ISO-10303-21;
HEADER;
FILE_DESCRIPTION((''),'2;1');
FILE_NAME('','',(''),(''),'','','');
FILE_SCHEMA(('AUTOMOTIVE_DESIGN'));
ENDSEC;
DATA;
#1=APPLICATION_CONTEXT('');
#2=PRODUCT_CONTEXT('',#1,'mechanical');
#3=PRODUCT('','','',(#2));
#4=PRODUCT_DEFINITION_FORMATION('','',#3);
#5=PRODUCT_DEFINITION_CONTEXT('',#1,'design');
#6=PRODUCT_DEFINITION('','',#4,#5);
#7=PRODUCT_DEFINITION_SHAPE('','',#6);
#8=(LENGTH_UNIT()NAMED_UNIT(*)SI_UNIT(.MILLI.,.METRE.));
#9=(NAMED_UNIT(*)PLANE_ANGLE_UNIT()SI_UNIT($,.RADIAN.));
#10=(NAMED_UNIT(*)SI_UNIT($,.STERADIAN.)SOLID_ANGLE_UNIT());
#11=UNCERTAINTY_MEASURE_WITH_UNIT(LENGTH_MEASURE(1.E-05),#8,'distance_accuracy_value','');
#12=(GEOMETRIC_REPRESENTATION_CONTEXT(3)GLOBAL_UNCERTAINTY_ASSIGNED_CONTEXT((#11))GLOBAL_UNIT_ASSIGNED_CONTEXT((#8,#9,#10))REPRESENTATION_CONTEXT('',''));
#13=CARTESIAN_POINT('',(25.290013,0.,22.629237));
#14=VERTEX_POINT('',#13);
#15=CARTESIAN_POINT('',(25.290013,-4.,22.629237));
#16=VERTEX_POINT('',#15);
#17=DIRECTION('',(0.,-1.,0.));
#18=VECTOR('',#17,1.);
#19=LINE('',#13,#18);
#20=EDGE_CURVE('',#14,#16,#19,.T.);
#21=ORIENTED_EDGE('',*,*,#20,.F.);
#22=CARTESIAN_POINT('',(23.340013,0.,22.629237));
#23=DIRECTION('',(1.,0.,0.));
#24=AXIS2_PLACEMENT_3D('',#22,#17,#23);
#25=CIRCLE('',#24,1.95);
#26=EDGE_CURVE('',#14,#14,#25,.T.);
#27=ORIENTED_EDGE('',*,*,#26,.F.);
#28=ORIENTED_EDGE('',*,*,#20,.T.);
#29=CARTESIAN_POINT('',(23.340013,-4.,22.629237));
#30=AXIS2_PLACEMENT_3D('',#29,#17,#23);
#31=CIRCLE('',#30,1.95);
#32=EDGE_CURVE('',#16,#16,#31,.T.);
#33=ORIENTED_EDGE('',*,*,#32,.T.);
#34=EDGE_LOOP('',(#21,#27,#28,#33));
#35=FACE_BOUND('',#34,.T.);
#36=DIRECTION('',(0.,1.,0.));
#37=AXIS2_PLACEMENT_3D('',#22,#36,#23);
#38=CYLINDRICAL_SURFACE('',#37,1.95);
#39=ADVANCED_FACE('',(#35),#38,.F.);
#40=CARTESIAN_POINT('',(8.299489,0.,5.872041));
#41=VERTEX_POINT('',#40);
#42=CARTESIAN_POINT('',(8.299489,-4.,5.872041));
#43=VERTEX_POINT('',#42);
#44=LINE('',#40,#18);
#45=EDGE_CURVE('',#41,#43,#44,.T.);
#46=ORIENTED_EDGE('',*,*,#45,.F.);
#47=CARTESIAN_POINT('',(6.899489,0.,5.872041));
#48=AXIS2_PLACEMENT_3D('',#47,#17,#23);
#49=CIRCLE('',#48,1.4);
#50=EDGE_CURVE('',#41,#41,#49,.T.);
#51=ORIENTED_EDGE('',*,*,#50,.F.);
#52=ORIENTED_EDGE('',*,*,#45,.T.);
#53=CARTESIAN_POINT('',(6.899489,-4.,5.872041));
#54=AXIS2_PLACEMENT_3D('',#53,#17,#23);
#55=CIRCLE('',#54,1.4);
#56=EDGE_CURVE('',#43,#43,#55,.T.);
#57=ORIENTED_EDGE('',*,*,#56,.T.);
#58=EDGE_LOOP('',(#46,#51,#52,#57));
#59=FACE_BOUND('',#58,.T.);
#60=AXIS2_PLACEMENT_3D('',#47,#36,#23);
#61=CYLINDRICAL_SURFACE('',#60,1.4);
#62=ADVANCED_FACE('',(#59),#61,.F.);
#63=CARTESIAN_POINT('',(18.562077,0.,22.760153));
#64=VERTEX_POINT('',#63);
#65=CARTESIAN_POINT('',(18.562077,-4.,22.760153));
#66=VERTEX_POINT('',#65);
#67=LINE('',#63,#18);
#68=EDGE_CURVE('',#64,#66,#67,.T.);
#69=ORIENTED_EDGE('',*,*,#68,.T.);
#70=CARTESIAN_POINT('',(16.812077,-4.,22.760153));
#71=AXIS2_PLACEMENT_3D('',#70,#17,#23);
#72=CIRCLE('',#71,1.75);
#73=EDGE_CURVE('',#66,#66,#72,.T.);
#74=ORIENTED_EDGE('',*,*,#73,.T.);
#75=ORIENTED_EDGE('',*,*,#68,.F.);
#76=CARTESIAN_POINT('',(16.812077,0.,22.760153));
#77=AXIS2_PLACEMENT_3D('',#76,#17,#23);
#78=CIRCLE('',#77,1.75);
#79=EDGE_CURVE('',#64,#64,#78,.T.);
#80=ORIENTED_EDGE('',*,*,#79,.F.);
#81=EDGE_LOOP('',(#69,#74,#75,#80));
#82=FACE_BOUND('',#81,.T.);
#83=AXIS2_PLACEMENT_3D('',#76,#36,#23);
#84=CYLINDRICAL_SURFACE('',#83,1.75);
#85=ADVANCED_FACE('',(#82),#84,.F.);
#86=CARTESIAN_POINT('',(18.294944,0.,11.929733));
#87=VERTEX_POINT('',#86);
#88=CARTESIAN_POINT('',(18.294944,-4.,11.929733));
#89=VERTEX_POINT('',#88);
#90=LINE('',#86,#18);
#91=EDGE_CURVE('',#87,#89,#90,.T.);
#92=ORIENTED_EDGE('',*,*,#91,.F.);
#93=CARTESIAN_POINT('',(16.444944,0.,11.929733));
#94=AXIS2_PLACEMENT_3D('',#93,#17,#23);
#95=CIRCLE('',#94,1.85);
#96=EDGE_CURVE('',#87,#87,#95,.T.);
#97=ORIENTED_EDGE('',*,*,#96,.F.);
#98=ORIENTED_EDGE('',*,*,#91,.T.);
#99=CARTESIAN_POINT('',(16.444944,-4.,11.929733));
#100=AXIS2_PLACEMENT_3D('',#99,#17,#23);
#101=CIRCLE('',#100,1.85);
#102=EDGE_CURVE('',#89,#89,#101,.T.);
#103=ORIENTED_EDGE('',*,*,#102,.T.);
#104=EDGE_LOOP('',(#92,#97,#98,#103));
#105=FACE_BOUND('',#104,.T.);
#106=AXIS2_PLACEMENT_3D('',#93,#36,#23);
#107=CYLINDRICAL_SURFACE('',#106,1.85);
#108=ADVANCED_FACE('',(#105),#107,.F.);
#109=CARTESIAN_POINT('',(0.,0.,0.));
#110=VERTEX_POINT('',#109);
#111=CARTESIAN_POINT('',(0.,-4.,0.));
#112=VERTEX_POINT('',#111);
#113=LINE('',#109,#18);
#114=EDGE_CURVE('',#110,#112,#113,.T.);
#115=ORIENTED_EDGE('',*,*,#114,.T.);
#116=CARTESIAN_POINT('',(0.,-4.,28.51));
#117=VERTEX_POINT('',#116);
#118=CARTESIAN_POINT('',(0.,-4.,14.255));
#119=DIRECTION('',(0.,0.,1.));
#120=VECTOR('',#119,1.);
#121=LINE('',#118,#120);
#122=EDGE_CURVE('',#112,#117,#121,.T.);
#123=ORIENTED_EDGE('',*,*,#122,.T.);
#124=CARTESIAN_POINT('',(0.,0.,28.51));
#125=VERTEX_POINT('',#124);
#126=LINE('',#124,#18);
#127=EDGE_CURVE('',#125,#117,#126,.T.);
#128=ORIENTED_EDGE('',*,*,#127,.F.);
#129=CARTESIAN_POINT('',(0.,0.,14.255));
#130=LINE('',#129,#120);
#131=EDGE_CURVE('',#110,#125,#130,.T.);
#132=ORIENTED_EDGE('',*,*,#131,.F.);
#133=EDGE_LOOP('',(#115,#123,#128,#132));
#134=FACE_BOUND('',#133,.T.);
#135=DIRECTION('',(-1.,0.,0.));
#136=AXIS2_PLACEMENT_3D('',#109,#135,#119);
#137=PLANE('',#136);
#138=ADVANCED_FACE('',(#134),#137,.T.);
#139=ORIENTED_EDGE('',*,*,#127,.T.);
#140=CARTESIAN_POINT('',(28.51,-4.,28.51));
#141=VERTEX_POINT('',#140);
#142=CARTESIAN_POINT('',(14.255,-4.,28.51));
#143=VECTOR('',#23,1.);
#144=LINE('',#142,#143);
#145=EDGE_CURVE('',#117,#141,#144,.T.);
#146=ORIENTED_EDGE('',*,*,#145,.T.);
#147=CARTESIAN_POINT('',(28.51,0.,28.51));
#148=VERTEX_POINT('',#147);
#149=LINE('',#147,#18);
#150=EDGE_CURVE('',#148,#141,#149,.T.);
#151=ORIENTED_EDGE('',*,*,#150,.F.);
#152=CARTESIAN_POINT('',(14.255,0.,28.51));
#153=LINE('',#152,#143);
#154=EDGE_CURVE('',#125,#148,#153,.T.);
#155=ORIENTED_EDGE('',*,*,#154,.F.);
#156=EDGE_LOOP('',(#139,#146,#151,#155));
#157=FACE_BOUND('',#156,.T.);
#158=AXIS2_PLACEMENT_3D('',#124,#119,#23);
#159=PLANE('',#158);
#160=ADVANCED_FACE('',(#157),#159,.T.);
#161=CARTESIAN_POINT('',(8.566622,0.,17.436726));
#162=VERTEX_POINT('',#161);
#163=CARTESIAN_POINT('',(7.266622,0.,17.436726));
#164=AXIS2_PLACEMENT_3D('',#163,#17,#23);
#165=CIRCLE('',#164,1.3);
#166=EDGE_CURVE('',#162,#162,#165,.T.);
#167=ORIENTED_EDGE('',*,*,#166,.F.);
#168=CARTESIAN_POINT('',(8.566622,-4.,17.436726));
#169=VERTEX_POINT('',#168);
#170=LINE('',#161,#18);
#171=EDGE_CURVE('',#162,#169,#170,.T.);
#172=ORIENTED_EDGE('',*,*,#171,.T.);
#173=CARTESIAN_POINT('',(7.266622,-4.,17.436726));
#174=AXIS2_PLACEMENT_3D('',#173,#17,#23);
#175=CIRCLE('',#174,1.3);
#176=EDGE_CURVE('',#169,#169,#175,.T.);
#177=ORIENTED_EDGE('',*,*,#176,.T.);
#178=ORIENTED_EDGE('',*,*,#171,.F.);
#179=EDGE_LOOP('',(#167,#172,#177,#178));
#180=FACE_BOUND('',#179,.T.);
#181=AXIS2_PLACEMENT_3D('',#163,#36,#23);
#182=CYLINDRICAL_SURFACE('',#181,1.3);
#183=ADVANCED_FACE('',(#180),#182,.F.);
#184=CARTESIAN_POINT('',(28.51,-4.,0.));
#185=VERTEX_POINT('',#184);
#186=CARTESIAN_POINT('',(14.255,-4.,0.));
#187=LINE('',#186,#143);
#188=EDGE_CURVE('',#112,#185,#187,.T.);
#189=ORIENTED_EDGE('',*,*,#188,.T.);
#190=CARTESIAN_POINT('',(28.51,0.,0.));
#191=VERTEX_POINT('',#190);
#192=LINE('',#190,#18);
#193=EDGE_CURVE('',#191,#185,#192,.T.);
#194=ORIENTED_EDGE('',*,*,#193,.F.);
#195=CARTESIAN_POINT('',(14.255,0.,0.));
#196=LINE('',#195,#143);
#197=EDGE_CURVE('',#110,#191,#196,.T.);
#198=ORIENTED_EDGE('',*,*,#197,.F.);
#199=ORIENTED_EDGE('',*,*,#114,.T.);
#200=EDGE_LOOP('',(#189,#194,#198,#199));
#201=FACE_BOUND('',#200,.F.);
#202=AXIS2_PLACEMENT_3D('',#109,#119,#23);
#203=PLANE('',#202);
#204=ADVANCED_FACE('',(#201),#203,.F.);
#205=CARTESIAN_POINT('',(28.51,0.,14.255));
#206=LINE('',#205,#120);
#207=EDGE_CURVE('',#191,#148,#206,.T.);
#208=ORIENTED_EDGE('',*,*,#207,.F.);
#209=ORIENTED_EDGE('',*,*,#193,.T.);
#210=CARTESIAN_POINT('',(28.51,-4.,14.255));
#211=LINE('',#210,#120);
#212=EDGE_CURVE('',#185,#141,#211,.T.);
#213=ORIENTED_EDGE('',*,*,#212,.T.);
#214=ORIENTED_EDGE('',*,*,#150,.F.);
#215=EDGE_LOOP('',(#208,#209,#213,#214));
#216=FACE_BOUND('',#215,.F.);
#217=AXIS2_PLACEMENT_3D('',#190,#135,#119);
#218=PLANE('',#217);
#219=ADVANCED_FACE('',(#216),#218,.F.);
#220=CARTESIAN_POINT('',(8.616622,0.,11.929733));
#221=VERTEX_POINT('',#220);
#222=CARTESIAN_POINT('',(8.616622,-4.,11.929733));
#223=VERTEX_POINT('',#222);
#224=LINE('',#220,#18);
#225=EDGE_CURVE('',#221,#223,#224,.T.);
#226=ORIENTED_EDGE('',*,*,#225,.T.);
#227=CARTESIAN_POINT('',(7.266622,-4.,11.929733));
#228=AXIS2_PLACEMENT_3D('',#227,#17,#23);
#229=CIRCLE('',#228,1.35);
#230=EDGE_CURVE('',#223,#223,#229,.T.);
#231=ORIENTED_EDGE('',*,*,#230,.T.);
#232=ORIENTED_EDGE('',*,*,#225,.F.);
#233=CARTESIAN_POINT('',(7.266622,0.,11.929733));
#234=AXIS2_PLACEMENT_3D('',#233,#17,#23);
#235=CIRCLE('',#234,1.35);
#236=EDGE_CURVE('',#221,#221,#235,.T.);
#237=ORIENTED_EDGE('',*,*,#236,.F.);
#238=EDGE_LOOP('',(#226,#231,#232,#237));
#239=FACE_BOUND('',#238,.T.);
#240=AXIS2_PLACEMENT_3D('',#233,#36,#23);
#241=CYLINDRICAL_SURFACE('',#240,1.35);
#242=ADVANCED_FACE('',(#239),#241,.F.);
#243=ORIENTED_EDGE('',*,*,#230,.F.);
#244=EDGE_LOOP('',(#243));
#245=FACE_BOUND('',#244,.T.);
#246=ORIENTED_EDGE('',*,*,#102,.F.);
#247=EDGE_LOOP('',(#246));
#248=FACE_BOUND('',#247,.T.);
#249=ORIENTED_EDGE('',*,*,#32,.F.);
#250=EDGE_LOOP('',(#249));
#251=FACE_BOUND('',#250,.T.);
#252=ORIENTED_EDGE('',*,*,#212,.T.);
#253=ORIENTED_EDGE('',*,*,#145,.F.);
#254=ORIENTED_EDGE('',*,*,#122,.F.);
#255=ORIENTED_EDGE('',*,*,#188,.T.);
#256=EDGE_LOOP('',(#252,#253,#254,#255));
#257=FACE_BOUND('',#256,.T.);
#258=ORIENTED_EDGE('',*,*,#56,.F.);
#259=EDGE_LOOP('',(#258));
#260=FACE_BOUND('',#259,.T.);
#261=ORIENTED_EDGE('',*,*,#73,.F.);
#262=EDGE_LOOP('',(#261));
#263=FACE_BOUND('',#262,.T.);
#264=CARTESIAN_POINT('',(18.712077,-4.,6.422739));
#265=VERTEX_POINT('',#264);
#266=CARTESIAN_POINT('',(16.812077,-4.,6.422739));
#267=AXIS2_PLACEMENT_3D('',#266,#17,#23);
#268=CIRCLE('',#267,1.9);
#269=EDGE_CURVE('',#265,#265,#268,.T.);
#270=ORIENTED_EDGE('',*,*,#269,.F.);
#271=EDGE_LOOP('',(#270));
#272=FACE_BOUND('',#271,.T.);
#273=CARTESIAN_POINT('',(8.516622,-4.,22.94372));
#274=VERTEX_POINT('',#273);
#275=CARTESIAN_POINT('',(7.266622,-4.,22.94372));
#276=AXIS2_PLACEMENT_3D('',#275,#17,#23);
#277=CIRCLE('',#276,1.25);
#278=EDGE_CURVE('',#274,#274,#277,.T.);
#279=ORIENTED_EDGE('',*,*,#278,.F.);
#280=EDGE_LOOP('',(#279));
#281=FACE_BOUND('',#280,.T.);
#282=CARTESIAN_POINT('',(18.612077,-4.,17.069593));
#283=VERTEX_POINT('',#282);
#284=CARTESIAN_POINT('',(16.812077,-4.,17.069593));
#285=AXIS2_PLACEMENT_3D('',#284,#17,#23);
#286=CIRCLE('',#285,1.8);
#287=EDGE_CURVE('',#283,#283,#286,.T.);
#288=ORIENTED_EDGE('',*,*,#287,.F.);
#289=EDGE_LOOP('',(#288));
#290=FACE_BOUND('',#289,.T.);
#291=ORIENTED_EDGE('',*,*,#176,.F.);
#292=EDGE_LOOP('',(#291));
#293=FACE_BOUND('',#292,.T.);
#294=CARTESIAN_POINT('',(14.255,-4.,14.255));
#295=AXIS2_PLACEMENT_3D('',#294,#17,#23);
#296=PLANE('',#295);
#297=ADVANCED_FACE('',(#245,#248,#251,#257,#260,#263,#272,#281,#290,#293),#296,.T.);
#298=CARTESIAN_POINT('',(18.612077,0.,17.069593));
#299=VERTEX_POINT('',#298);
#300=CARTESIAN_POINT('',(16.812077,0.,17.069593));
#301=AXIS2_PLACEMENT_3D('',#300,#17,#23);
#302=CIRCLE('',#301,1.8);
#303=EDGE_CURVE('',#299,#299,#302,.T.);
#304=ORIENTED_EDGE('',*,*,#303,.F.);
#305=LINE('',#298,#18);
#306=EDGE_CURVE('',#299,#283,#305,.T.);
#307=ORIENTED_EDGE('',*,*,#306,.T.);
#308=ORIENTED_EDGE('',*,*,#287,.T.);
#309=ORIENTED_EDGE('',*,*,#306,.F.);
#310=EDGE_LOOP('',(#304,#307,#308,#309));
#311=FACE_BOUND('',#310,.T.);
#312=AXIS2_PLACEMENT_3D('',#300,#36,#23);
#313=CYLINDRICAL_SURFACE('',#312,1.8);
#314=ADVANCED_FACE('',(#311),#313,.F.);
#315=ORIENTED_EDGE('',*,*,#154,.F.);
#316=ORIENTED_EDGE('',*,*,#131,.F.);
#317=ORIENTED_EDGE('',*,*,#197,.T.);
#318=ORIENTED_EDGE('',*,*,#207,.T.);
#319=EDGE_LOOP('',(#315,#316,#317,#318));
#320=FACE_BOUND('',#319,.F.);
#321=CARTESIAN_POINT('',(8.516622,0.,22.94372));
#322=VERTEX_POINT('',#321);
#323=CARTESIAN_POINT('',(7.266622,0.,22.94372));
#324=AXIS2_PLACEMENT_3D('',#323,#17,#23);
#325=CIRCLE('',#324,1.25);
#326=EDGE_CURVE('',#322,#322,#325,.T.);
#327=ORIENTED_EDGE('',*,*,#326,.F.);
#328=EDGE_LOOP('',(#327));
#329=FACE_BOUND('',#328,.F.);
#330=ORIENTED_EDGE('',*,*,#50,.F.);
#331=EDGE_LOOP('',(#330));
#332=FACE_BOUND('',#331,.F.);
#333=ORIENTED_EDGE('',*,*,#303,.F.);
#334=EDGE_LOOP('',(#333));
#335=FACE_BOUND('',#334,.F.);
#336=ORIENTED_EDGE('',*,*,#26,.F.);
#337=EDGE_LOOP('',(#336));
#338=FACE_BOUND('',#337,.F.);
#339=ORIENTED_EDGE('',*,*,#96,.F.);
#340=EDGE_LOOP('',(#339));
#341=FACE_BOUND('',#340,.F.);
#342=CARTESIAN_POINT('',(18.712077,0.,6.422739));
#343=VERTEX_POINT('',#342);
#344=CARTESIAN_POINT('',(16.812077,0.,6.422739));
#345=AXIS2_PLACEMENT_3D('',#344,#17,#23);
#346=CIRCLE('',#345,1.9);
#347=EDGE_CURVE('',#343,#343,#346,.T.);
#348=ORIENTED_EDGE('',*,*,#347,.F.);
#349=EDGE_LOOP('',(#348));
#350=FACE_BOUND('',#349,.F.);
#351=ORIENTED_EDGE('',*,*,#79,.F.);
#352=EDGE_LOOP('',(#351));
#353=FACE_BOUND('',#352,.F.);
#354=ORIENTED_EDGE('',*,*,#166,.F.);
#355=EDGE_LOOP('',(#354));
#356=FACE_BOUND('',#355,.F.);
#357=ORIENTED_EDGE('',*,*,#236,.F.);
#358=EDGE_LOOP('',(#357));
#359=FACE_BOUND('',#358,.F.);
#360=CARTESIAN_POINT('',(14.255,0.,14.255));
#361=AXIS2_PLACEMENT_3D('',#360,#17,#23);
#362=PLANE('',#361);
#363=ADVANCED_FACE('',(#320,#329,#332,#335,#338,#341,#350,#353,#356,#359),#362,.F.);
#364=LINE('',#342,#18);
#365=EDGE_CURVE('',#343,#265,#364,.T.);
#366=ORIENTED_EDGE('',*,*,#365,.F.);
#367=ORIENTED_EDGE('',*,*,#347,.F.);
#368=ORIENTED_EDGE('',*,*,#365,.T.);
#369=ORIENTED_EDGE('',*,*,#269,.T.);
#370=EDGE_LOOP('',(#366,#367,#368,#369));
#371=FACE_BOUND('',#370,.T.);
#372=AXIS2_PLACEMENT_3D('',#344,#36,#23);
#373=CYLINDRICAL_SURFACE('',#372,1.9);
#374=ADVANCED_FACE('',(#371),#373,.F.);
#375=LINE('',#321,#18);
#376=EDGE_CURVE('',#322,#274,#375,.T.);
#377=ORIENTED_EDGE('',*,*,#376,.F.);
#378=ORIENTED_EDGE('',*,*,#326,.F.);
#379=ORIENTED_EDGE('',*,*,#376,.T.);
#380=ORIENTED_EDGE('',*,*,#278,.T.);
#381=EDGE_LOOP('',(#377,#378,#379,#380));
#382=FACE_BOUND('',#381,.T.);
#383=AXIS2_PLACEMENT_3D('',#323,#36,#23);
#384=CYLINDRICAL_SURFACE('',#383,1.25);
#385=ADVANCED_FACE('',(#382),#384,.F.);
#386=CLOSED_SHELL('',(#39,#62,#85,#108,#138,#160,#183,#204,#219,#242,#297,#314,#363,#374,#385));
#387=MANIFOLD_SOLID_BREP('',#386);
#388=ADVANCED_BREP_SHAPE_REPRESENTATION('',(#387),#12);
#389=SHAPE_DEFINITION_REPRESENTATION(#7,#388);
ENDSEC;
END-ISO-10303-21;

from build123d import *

# Parameters (mm, degrees)
F0_W     = 28.51
F0_H     = 28.51
F0_R     = 1.4
F0_R_2   = 1.35
F0_R_3   = 1.9
F0_R_4   = 1.85
F0_R_5   = 1.3
F0_R_6   = 1.25
F0_R_7   = 1.8
F0_R_8   = 1.75
F0_R_9   = 1.95
F1_DEPTH = 4


with BuildPart() as f1:
    # F0 (on Front) → F1 (new body)
    with BuildSketch(Plane.XZ):
        with Locations((14.255, 14.255)):
            Rectangle(F0_W, F0_H)
        with Locations((6.899489, 5.872041)):
            Circle(F0_R, mode=Mode.SUBTRACT)
        with Locations((7.266622, 11.929733)):
            Circle(F0_R_2, mode=Mode.SUBTRACT)
        with Locations((16.812077, 6.422739)):
            Circle(F0_R_3, mode=Mode.SUBTRACT)
        with Locations((16.444944, 11.929733)):
            Circle(F0_R_4, mode=Mode.SUBTRACT)
        with Locations((7.266622, 17.436726)):
            Circle(F0_R_5, mode=Mode.SUBTRACT)
        with Locations((7.266622, 22.94372)):
            Circle(F0_R_6, mode=Mode.SUBTRACT)
        with Locations((16.812077, 17.069593)):
            Circle(F0_R_7, mode=Mode.SUBTRACT)
        with Locations((16.812077, 22.760153)):
            Circle(F0_R_8, mode=Mode.SUBTRACT)
        with Locations((23.340013, 22.629237)):
            Circle(F0_R_9, mode=Mode.SUBTRACT)
    extrude(amount=F1_DEPTH)


solid = f1.part
